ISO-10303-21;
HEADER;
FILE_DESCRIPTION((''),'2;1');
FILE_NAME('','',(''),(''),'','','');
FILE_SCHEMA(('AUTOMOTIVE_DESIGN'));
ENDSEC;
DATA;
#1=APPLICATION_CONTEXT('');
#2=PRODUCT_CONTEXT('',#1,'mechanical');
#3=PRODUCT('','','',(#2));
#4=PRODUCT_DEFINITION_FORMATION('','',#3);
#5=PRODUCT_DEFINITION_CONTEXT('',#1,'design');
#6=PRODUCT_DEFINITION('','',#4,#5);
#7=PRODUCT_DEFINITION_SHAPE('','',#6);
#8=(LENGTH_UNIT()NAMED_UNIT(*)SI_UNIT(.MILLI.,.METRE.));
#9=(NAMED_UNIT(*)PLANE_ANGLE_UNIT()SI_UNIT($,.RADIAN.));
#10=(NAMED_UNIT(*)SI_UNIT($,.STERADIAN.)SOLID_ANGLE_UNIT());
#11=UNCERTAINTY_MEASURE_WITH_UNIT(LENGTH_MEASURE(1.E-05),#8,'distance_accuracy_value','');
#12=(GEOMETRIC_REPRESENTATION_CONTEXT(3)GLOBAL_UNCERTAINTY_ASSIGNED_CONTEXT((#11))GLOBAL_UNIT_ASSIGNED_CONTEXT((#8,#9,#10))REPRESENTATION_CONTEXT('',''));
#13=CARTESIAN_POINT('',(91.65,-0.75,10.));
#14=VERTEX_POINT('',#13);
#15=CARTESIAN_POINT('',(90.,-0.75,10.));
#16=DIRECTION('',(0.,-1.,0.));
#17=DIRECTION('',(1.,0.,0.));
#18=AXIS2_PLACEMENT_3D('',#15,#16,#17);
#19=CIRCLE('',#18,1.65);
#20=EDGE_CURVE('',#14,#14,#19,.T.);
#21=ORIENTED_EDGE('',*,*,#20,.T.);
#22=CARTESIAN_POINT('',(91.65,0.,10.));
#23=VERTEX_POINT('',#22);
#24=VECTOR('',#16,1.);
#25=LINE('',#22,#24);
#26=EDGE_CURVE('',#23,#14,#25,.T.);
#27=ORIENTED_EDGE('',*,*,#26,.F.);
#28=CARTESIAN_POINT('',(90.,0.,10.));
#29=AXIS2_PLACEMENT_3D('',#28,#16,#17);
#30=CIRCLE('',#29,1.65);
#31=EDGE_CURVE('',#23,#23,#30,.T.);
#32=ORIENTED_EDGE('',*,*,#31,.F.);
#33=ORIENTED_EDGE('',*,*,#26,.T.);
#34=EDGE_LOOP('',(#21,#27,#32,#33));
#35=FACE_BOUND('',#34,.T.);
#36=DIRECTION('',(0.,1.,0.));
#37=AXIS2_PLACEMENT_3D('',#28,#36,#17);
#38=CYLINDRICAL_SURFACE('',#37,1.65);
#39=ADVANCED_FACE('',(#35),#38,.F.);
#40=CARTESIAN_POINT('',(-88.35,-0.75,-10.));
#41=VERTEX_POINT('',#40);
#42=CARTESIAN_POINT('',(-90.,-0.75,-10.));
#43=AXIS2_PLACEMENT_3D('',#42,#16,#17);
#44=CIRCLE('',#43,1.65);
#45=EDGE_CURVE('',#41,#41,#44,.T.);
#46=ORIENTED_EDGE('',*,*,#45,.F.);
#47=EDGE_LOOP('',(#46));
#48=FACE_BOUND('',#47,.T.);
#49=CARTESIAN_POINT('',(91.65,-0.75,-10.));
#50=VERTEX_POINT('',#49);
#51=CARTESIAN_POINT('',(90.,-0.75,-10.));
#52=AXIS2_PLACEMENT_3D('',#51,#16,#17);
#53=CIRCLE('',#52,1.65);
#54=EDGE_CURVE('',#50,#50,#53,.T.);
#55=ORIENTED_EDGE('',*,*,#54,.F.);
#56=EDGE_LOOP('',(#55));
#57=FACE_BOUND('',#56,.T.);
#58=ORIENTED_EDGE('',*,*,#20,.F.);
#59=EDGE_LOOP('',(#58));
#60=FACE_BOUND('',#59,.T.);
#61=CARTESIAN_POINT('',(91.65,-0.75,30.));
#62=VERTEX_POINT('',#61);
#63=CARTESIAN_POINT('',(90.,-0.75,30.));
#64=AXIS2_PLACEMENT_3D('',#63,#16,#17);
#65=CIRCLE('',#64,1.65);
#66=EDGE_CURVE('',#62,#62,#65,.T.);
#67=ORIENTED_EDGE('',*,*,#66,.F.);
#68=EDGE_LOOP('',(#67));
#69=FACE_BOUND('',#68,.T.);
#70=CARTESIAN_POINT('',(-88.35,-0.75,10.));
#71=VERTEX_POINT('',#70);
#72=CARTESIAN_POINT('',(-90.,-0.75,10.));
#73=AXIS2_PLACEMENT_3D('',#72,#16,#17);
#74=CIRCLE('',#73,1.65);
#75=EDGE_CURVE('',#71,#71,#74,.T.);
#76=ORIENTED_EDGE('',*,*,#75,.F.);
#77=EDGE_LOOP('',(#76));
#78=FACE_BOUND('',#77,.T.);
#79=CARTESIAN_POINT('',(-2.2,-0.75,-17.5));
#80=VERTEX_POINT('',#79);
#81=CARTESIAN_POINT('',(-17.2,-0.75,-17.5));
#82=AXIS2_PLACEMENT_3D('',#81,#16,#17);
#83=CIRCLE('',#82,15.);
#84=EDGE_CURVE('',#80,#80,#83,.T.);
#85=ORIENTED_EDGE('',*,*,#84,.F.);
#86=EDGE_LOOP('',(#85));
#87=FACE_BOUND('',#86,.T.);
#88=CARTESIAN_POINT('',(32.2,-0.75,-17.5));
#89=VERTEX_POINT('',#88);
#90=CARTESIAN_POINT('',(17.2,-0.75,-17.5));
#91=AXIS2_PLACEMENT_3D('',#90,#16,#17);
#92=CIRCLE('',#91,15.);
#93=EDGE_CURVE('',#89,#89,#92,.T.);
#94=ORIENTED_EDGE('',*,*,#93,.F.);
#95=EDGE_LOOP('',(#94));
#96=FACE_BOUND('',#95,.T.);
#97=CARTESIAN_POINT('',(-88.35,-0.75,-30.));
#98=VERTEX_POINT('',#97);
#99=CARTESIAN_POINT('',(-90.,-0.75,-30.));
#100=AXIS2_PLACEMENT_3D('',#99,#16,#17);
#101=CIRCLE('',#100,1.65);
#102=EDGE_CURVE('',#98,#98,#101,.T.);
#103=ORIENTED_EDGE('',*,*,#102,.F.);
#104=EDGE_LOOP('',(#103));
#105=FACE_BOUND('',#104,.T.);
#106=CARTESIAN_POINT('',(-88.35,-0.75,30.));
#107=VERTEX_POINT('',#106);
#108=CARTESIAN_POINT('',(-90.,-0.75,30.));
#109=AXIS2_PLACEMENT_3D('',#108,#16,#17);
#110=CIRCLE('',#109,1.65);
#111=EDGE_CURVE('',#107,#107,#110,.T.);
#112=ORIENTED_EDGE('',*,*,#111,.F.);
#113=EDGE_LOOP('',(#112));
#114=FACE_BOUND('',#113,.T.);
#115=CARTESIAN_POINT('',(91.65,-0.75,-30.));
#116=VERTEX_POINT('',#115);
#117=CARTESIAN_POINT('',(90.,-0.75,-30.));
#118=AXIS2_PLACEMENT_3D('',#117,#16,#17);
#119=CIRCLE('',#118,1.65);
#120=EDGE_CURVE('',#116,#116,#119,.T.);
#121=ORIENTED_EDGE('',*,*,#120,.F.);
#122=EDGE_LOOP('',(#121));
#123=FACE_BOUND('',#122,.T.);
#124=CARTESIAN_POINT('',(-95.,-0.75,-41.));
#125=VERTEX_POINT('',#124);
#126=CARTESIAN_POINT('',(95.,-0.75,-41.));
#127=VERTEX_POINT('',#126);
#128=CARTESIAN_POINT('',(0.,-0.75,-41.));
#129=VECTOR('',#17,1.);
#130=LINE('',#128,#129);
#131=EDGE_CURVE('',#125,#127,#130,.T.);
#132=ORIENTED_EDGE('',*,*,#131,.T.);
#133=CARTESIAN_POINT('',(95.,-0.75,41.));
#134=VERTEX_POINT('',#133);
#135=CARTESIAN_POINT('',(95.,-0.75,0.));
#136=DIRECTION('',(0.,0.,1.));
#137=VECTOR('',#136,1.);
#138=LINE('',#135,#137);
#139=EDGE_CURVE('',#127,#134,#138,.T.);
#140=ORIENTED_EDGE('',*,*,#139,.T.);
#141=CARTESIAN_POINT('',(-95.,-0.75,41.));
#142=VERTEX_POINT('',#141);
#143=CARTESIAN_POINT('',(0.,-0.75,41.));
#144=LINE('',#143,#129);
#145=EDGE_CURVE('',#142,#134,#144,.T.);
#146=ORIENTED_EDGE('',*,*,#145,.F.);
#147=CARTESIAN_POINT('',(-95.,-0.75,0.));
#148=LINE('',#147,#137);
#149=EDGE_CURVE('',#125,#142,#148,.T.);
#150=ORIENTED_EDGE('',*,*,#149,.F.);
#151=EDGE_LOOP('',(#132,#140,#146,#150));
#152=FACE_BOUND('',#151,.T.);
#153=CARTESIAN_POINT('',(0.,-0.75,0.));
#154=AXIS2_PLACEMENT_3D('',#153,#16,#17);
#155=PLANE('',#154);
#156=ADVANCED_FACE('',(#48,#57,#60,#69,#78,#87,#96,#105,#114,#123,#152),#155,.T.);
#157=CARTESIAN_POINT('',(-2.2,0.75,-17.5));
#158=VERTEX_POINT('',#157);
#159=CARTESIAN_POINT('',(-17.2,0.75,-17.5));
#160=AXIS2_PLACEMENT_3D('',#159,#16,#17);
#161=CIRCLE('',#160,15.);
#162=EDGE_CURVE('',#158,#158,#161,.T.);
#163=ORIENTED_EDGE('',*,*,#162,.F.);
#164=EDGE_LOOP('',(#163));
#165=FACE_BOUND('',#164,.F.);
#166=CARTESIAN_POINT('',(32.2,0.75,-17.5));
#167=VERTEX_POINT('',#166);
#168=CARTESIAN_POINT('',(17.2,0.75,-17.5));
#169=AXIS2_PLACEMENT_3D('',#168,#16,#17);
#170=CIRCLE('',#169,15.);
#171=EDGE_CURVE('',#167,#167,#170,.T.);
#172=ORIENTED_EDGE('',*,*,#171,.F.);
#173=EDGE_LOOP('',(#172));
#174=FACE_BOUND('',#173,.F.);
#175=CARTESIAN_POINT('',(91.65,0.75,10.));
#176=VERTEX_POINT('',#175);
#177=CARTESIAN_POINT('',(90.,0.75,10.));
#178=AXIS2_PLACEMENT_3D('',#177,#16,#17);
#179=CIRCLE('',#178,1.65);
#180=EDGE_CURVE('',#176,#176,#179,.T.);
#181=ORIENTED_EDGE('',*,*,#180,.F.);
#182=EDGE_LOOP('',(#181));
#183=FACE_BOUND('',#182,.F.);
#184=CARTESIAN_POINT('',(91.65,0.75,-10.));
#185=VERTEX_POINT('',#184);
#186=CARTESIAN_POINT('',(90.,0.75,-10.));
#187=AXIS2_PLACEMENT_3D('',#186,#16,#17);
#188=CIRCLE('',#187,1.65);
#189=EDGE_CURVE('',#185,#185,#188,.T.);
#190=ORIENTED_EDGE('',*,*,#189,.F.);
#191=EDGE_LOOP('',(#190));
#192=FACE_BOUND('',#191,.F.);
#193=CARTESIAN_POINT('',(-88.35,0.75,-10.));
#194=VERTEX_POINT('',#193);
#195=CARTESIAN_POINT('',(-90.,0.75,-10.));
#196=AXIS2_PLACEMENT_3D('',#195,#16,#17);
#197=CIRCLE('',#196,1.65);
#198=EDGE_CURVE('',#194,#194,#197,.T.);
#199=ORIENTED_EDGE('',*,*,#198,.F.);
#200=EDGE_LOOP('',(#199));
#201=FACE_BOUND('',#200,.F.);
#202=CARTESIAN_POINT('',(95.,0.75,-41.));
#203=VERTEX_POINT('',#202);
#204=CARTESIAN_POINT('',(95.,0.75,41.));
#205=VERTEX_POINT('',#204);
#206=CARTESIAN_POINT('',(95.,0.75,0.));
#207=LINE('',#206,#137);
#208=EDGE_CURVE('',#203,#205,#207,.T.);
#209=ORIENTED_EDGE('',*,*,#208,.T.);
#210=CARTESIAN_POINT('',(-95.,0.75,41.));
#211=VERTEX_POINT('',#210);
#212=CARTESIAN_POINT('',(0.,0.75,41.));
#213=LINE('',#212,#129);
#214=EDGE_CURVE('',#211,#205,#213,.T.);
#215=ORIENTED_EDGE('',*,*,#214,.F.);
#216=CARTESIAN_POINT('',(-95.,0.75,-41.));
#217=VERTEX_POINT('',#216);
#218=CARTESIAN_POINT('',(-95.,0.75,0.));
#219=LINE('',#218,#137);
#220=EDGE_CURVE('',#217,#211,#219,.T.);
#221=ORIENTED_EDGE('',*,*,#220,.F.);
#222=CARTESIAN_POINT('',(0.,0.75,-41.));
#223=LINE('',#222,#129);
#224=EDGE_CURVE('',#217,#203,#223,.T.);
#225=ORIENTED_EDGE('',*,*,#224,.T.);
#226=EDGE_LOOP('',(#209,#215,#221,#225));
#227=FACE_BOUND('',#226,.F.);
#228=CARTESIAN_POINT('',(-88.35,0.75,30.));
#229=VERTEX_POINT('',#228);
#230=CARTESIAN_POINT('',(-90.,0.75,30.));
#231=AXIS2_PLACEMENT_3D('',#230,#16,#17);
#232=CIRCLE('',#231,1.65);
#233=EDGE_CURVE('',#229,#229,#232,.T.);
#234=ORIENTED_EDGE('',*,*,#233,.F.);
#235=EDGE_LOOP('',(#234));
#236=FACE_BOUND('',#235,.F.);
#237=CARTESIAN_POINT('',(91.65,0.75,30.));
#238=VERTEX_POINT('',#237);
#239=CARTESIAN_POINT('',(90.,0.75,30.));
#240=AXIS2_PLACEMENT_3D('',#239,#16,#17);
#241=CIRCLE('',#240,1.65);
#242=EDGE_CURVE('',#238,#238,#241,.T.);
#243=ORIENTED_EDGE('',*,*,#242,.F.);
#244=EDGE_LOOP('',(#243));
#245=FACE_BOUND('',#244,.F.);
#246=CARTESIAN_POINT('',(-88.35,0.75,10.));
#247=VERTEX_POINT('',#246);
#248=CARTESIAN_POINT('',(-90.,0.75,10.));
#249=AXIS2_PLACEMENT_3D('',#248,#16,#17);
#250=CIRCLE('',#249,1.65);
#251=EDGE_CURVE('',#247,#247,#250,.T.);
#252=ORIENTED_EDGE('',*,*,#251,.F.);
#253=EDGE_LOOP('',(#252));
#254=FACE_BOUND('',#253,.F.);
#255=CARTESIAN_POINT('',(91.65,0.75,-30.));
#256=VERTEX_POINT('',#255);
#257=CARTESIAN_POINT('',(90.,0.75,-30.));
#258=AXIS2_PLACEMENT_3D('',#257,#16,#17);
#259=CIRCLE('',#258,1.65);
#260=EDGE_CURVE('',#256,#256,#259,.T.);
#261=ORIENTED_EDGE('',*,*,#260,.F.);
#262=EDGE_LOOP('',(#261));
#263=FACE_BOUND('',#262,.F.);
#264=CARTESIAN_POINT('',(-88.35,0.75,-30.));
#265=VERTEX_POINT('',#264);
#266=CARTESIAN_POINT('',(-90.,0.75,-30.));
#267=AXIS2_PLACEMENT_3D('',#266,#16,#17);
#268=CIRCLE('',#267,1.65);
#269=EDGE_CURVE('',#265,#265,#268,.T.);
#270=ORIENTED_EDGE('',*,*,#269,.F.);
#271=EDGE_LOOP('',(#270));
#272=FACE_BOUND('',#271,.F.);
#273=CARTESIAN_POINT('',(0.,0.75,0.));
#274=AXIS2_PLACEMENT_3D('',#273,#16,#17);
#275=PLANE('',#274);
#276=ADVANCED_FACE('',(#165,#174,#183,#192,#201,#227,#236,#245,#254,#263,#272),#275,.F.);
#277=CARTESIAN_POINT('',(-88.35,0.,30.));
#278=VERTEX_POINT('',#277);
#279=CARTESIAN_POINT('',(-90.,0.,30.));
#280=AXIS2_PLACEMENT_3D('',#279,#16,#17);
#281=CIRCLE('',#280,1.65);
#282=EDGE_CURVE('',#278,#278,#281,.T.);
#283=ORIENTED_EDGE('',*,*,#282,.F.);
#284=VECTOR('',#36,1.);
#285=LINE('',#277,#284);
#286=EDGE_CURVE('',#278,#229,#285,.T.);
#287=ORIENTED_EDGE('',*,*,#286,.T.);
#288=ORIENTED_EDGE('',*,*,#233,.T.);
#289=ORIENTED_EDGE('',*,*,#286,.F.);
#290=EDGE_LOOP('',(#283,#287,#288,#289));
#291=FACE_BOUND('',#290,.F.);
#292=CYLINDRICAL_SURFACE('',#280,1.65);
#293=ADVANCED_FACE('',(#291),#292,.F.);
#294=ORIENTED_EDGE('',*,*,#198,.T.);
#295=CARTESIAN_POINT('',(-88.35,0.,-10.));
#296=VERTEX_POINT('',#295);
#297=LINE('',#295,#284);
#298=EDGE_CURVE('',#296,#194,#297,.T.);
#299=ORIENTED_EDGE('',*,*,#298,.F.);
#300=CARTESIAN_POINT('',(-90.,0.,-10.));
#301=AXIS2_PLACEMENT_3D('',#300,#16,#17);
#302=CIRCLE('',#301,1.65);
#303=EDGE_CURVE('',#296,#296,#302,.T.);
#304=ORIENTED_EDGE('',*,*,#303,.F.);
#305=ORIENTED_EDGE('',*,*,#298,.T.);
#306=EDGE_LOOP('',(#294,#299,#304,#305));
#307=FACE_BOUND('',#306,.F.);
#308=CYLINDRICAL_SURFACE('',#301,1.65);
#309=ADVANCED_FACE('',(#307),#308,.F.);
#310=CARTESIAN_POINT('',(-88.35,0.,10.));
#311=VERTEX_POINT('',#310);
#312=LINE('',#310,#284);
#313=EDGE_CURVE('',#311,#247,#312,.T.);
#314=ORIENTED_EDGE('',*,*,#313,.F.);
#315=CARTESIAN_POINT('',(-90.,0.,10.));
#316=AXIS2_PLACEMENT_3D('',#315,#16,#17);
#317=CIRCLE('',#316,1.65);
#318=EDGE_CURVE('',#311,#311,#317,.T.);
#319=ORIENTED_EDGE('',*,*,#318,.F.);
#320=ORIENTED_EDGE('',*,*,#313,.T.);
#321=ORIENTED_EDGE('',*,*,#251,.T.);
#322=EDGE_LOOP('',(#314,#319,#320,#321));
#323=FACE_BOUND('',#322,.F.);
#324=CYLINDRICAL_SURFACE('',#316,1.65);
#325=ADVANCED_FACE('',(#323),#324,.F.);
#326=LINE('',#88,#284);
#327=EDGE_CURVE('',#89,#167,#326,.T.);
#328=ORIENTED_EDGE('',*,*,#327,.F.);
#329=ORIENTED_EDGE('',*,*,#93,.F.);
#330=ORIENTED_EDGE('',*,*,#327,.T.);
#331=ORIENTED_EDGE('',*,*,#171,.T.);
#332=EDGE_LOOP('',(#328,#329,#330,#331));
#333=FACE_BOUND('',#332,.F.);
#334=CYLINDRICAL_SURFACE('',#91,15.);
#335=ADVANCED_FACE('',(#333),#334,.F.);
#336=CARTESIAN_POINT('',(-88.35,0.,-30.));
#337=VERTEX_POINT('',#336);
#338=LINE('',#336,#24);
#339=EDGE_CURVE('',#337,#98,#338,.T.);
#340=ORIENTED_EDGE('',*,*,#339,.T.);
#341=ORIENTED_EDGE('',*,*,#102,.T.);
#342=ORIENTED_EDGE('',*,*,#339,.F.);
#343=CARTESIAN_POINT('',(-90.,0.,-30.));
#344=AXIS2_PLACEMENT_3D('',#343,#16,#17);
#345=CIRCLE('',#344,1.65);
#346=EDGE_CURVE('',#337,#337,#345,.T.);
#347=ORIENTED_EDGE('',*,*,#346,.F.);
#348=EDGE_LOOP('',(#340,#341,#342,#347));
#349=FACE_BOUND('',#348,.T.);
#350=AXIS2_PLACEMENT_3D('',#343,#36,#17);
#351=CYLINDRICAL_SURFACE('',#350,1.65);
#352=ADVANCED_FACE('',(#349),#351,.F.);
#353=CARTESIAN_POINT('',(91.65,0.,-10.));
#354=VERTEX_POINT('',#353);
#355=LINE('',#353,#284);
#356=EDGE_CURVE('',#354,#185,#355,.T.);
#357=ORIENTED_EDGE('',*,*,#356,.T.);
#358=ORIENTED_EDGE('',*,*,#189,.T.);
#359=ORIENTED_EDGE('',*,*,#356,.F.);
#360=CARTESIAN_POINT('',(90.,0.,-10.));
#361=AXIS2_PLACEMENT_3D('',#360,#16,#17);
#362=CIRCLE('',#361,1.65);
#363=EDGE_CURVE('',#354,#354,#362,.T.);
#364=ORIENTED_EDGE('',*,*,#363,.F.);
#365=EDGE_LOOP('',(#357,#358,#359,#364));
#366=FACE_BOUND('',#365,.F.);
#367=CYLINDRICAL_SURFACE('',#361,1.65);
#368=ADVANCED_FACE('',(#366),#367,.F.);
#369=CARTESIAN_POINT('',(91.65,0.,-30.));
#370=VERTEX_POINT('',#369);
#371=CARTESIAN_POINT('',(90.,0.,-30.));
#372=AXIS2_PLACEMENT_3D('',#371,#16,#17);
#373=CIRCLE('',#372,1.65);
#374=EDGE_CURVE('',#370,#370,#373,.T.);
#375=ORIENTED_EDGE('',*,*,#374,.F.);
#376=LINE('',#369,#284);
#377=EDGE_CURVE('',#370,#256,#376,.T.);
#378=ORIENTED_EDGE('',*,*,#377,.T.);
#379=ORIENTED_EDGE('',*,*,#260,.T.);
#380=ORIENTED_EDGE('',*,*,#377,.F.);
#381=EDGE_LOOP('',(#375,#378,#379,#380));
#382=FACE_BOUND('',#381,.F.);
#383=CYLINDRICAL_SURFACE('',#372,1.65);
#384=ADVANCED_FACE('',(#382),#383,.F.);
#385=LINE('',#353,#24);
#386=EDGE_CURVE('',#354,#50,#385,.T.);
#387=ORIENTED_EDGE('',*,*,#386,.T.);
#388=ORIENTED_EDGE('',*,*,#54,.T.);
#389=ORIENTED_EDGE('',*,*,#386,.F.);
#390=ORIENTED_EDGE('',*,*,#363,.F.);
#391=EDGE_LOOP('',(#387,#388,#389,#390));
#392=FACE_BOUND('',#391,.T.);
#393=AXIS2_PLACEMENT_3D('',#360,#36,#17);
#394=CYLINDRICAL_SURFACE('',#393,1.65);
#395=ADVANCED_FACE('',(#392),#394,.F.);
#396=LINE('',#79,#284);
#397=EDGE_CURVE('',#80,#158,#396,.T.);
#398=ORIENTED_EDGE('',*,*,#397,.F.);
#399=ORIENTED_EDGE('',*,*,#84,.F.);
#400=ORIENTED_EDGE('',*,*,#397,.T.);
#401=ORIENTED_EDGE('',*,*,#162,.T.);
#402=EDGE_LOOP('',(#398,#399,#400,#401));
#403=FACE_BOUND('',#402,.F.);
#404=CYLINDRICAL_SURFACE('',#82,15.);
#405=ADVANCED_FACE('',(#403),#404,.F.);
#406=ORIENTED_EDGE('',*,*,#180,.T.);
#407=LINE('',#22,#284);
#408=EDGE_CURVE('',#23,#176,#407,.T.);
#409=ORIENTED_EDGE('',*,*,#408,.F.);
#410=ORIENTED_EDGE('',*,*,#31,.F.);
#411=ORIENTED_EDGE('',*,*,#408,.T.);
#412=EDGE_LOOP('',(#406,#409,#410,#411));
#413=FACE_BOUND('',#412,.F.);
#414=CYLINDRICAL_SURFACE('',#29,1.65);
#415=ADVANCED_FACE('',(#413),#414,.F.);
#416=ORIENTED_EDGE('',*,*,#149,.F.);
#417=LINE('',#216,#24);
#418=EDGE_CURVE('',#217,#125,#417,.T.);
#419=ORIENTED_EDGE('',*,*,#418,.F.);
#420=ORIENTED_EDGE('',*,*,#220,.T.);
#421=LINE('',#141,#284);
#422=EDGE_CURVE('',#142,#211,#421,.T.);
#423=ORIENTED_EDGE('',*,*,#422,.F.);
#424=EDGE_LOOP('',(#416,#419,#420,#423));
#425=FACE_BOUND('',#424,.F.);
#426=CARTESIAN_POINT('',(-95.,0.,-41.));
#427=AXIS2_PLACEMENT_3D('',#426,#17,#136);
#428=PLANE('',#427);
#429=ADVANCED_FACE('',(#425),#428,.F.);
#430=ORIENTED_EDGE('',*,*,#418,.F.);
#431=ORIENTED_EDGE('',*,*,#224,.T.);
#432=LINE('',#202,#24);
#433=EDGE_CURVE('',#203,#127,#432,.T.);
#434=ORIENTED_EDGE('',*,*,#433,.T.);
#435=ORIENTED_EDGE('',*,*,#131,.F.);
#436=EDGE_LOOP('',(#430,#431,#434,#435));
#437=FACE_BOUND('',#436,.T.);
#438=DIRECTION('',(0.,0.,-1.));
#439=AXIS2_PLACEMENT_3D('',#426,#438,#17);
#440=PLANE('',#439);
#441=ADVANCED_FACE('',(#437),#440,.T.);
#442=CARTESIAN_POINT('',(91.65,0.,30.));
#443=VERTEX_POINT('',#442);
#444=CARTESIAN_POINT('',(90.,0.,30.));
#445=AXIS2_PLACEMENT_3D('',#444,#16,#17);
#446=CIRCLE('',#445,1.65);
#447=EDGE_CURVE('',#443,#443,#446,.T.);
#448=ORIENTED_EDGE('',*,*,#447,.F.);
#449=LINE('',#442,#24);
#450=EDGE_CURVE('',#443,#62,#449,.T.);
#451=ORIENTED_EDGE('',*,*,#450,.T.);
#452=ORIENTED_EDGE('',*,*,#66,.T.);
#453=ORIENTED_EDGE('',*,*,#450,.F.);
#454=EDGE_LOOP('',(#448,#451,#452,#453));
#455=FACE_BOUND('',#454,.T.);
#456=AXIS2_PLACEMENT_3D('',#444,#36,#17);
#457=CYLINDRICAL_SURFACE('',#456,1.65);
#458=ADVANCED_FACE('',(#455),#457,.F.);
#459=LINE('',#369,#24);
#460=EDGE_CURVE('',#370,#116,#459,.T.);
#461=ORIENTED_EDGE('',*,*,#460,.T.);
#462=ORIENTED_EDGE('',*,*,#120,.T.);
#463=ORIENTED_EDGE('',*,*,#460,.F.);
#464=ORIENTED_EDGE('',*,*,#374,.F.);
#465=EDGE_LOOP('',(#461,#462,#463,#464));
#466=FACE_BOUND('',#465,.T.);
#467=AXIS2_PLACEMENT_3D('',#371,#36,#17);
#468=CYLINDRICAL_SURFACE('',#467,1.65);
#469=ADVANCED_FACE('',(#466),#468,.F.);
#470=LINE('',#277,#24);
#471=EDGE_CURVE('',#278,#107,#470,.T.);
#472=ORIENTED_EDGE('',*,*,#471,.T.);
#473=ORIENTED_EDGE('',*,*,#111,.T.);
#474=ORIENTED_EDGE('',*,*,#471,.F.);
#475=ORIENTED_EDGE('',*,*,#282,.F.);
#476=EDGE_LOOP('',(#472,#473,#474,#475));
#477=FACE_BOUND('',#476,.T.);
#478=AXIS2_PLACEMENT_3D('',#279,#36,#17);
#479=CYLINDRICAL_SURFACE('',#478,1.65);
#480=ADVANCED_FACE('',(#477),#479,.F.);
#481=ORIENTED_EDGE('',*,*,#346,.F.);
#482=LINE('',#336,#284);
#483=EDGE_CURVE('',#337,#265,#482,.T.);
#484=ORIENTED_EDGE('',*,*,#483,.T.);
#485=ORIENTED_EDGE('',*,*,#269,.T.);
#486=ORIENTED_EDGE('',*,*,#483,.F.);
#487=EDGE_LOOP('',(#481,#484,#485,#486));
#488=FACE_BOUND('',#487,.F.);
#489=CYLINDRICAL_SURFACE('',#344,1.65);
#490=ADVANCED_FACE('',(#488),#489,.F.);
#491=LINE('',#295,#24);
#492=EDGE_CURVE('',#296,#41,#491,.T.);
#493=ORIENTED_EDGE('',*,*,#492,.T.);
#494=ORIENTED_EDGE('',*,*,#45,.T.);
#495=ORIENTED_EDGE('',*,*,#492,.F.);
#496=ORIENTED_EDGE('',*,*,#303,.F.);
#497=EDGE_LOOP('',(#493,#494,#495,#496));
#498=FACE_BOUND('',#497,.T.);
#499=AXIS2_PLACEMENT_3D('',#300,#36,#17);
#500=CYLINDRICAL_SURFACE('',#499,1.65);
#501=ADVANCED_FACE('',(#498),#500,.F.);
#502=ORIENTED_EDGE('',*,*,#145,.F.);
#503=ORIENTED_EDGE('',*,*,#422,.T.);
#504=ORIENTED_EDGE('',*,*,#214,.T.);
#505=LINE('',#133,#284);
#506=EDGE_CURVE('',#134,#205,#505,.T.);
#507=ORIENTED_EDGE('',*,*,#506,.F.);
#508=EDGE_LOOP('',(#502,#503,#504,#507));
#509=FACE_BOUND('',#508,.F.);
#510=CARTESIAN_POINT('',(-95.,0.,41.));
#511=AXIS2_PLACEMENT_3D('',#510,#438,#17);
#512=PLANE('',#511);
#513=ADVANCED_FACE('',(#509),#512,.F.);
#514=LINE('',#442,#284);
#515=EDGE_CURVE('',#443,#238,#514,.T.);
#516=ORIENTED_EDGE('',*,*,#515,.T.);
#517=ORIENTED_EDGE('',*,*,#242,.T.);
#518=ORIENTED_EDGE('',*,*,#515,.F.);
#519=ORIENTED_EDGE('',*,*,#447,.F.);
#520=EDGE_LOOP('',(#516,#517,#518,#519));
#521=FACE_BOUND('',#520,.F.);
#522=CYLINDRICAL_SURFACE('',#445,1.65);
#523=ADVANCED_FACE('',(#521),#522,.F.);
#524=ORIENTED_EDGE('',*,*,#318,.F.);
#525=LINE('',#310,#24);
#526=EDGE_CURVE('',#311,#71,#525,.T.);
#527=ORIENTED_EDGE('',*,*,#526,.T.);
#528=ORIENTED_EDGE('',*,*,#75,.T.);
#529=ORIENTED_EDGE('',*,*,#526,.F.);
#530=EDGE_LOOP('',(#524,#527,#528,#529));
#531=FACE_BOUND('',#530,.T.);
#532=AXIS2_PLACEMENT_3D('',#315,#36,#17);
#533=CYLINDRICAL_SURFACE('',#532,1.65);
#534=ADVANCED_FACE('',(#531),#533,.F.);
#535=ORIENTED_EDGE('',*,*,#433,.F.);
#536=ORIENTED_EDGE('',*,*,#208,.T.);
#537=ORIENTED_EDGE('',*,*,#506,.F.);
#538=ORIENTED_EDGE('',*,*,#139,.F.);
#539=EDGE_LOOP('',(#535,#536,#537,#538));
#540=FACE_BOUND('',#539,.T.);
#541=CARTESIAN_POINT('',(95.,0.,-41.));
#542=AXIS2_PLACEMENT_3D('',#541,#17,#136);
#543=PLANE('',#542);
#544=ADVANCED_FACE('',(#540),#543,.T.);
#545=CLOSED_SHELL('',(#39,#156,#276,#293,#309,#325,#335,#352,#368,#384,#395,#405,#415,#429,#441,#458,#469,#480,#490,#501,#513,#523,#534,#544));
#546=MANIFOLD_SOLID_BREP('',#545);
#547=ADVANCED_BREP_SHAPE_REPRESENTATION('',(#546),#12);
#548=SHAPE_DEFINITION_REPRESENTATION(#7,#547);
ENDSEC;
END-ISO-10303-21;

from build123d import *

# Parameters (mm, degrees)
SKETCH_W       = 190
SKETCH_H       = 82
SKETCH_R       = 1.65
PAD_DEPTH      = 0.75
PAD_DEPTH_BACK = 0.75
SKETCH001_R    = 15
POCKET_DEPTH   = 1.501


with BuildPart() as part:
    # Sketch → Pad (new body, two sides)
    with BuildSketch(Plane.XZ) as pad_sk:
        Rectangle(SKETCH_W, SKETCH_H)
        with Locations((90, 30)):
            Circle(SKETCH_R, mode=Mode.SUBTRACT)
        with Locations((90, 10)):
            Circle(SKETCH_R, mode=Mode.SUBTRACT)
        with Locations((90, -30)):
            Circle(SKETCH_R, mode=Mode.SUBTRACT)
        with Locations((90, -10)):
            Circle(SKETCH_R, mode=Mode.SUBTRACT)
        with Locations((-90, 30)):
            Circle(SKETCH_R, mode=Mode.SUBTRACT)
        with Locations((-90, 10)):
            Circle(SKETCH_R, mode=Mode.SUBTRACT)
        with Locations((-90, -30)):
            Circle(SKETCH_R, mode=Mode.SUBTRACT)
        with Locations((-90, -10)):
            Circle(SKETCH_R, mode=Mode.SUBTRACT)
    extrude(amount=PAD_DEPTH)
    extrude(pad_sk.sketch, amount=-PAD_DEPTH_BACK)

    # Sketch001 (on Face14 of Pad) → Pocket (cut, through all)
    with BuildSketch(Plane.XZ.offset(0.75)):
        with Locations((-17.2, -17.5)):
            Circle(SKETCH001_R)
        with Locations((17.2, -17.5)):
            Circle(SKETCH001_R)
    extrude(amount=-POCKET_DEPTH, mode=Mode.SUBTRACT)


solid = part.part
